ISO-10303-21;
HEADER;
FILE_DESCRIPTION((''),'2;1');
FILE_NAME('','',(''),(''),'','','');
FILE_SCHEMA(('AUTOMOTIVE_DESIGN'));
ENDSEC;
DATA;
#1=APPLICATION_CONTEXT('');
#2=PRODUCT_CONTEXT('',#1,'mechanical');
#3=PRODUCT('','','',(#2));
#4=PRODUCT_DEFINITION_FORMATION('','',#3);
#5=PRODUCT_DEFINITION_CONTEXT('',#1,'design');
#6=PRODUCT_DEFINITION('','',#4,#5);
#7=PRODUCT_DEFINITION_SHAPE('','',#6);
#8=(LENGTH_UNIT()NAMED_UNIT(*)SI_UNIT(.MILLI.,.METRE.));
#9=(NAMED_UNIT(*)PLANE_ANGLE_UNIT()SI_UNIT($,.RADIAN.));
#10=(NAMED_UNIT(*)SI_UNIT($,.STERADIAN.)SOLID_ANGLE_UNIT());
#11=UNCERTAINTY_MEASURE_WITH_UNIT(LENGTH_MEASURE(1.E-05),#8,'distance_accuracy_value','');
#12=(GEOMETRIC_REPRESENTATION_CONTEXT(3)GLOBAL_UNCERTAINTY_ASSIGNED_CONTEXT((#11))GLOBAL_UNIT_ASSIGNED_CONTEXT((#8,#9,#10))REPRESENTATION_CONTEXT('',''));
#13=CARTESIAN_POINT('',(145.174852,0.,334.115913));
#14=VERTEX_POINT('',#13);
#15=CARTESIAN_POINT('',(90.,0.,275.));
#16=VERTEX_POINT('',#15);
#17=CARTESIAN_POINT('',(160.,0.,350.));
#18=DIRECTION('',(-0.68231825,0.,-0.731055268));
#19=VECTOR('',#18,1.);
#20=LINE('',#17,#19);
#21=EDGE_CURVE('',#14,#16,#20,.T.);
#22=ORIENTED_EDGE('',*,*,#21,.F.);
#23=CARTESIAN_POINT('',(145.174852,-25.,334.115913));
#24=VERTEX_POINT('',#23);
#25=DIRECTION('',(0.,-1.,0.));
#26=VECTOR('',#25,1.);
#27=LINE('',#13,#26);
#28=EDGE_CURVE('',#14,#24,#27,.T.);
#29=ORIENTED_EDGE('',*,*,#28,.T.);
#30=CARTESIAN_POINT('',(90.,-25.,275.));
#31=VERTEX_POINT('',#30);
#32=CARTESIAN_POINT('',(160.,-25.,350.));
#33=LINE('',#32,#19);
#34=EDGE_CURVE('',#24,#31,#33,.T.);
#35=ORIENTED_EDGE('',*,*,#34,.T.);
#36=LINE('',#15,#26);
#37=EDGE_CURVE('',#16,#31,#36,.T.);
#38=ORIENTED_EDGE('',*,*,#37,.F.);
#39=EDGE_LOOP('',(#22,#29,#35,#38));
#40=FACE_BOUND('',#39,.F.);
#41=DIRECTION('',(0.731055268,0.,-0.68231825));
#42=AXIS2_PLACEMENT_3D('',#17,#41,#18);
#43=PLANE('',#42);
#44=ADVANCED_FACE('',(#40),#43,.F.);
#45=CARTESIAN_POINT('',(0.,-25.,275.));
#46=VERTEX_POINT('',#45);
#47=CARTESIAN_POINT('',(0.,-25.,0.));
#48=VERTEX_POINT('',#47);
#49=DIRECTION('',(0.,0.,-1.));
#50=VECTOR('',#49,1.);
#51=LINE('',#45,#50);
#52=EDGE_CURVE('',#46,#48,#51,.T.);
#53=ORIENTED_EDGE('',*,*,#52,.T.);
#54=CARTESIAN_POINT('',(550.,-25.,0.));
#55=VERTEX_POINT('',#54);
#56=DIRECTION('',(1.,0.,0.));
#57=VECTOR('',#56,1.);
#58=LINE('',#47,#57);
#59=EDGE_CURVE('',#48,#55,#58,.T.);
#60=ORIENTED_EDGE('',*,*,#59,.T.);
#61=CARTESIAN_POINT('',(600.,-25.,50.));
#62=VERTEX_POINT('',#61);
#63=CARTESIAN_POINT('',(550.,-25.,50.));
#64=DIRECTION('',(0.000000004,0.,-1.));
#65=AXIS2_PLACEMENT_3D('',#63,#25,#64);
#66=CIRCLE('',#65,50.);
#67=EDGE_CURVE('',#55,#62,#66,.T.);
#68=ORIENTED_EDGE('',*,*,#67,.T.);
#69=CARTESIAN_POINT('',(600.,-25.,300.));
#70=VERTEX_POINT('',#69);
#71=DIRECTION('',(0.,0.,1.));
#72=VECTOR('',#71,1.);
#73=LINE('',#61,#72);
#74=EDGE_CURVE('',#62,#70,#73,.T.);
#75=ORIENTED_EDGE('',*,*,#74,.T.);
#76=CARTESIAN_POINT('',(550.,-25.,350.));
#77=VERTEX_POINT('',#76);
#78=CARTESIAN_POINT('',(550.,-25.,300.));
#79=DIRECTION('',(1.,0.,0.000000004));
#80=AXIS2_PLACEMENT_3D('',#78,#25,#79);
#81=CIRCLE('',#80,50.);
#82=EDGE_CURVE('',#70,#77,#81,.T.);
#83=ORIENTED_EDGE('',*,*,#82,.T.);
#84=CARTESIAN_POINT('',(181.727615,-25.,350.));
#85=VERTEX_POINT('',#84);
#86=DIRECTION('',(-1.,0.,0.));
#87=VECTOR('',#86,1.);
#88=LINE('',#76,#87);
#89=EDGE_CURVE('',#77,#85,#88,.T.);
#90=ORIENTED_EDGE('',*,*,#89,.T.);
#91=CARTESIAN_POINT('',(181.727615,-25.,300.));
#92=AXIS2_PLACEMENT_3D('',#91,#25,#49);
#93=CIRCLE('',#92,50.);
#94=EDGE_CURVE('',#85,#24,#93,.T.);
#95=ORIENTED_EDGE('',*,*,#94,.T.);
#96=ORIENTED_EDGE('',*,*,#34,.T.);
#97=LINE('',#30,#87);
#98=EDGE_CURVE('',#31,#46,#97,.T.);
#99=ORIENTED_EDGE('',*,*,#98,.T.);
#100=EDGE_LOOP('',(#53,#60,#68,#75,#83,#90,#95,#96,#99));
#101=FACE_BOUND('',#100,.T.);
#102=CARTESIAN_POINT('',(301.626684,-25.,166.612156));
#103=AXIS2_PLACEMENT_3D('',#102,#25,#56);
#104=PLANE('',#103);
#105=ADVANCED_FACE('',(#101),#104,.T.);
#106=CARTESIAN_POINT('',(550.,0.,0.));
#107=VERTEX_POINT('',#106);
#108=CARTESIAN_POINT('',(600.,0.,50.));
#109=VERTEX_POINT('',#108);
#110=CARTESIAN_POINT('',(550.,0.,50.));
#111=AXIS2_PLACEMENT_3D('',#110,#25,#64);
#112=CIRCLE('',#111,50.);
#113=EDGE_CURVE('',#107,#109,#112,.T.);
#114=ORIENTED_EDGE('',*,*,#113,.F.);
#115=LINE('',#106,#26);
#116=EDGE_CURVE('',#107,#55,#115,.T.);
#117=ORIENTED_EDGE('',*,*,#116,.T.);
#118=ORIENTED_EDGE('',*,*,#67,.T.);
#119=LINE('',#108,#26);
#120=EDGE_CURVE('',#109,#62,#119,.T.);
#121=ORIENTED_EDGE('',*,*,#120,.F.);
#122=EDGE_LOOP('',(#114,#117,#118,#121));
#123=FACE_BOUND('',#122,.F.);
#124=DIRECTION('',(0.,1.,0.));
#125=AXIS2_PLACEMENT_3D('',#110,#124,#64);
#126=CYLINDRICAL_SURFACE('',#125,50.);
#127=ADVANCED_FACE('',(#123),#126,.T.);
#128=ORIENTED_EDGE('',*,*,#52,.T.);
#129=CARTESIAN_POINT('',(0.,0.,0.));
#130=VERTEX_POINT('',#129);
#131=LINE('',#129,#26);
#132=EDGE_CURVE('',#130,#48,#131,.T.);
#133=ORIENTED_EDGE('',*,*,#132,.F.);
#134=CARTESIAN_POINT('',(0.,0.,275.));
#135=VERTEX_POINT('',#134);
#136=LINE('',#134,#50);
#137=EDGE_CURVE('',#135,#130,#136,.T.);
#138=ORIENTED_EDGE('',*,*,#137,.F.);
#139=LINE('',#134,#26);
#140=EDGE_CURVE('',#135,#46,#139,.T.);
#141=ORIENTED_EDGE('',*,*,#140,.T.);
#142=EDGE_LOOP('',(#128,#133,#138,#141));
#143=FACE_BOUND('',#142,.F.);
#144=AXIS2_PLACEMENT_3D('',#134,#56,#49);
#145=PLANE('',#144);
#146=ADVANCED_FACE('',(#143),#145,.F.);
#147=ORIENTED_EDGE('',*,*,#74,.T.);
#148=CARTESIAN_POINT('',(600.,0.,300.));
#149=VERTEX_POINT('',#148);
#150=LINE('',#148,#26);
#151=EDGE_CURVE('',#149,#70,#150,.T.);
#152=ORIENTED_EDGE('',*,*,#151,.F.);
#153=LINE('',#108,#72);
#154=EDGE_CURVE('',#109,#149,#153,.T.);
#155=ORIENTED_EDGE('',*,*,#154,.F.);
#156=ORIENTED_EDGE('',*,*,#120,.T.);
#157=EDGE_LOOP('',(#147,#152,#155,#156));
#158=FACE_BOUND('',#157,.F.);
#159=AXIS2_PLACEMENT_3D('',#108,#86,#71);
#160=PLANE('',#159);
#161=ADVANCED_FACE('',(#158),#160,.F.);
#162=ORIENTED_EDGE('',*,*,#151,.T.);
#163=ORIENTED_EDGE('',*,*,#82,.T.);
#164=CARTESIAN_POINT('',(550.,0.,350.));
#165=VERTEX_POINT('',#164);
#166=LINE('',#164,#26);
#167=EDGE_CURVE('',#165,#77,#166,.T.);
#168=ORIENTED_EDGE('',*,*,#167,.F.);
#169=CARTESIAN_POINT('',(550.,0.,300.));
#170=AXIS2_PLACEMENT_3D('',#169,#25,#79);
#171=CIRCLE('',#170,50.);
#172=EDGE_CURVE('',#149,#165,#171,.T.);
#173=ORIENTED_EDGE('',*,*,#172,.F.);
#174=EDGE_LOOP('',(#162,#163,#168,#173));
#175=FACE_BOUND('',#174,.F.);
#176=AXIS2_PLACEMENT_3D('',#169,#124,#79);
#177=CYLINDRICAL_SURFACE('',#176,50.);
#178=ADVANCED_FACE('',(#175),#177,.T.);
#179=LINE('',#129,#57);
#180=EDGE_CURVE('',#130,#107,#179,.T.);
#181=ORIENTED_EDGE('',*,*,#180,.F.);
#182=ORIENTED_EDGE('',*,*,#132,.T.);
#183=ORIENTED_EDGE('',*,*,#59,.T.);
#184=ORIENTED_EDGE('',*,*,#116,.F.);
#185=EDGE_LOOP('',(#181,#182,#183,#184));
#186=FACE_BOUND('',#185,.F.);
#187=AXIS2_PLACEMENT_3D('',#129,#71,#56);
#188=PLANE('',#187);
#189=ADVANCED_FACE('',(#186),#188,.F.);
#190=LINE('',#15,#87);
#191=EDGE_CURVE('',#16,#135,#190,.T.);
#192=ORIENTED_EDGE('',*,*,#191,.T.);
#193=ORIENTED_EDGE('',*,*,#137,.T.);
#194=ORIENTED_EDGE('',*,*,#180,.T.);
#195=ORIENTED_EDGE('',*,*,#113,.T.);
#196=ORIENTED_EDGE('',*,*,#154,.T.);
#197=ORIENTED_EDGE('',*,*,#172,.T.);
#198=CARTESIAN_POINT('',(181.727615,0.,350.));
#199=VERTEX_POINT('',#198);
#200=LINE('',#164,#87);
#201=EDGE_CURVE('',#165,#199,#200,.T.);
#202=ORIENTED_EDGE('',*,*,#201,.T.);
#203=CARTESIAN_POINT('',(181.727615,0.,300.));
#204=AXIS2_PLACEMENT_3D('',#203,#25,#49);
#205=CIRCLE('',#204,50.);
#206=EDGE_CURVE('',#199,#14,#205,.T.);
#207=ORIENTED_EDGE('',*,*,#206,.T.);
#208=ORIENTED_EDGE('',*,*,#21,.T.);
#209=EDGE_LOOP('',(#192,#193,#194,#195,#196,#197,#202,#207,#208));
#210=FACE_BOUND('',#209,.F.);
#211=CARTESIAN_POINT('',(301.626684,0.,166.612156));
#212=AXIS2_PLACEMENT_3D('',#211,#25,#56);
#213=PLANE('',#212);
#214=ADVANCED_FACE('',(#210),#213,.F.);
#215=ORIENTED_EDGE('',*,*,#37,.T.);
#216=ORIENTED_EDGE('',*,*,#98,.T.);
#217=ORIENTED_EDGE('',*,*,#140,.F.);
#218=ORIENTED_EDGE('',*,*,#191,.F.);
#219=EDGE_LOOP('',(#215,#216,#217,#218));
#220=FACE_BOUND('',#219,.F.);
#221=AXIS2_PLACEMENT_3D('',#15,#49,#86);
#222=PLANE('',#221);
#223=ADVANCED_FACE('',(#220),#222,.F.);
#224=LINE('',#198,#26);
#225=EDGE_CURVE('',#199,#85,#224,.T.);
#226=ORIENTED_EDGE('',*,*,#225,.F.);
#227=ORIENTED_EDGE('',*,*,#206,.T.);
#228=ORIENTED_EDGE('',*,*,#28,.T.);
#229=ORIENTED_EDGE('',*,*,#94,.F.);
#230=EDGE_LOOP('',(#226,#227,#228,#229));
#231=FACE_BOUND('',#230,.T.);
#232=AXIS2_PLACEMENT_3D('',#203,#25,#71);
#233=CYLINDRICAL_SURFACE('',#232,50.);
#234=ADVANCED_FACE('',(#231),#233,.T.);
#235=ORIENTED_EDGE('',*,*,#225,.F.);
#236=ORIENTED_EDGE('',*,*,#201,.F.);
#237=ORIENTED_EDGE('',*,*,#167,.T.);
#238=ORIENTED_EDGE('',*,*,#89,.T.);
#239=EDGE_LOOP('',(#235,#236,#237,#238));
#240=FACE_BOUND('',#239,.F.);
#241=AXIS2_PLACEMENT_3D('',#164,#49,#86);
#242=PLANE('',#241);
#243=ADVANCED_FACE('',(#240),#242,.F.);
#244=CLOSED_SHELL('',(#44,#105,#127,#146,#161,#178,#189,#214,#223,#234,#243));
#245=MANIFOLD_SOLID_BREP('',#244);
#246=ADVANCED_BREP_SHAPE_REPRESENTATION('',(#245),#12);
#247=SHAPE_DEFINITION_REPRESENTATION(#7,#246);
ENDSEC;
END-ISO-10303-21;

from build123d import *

# Parameters (mm, degrees)
F1_DEPTH = 25
F2_R     = 50


with BuildPart() as f1:
    # F0 (on Front) → F1 (new body)
    with BuildSketch(Plane.XZ):
        with BuildLine():
            Line((0, 275), (0, 0))
            Line((0, 0), (550, 0))
            ThreePointArc((550, 0), (585.355339, 14.644661), (600, 50))
            Line((600, 50), (600, 300))
            ThreePointArc((600, 300), (585.355339, 335.355339), (550, 350))
            Line((550, 350), (160, 350))
            Line((160, 350), (90, 275))
            Line((90, 275), (0, 275))
        make_face()
    extrude(amount=F1_DEPTH)

    # F2
    f2_edges = [f1.edges().sort_by_distance(p)[0] for p in [
        (160, -12.5, 350),
    ]]
    fillet(f2_edges, radius=F2_R)


solid = f1.part
